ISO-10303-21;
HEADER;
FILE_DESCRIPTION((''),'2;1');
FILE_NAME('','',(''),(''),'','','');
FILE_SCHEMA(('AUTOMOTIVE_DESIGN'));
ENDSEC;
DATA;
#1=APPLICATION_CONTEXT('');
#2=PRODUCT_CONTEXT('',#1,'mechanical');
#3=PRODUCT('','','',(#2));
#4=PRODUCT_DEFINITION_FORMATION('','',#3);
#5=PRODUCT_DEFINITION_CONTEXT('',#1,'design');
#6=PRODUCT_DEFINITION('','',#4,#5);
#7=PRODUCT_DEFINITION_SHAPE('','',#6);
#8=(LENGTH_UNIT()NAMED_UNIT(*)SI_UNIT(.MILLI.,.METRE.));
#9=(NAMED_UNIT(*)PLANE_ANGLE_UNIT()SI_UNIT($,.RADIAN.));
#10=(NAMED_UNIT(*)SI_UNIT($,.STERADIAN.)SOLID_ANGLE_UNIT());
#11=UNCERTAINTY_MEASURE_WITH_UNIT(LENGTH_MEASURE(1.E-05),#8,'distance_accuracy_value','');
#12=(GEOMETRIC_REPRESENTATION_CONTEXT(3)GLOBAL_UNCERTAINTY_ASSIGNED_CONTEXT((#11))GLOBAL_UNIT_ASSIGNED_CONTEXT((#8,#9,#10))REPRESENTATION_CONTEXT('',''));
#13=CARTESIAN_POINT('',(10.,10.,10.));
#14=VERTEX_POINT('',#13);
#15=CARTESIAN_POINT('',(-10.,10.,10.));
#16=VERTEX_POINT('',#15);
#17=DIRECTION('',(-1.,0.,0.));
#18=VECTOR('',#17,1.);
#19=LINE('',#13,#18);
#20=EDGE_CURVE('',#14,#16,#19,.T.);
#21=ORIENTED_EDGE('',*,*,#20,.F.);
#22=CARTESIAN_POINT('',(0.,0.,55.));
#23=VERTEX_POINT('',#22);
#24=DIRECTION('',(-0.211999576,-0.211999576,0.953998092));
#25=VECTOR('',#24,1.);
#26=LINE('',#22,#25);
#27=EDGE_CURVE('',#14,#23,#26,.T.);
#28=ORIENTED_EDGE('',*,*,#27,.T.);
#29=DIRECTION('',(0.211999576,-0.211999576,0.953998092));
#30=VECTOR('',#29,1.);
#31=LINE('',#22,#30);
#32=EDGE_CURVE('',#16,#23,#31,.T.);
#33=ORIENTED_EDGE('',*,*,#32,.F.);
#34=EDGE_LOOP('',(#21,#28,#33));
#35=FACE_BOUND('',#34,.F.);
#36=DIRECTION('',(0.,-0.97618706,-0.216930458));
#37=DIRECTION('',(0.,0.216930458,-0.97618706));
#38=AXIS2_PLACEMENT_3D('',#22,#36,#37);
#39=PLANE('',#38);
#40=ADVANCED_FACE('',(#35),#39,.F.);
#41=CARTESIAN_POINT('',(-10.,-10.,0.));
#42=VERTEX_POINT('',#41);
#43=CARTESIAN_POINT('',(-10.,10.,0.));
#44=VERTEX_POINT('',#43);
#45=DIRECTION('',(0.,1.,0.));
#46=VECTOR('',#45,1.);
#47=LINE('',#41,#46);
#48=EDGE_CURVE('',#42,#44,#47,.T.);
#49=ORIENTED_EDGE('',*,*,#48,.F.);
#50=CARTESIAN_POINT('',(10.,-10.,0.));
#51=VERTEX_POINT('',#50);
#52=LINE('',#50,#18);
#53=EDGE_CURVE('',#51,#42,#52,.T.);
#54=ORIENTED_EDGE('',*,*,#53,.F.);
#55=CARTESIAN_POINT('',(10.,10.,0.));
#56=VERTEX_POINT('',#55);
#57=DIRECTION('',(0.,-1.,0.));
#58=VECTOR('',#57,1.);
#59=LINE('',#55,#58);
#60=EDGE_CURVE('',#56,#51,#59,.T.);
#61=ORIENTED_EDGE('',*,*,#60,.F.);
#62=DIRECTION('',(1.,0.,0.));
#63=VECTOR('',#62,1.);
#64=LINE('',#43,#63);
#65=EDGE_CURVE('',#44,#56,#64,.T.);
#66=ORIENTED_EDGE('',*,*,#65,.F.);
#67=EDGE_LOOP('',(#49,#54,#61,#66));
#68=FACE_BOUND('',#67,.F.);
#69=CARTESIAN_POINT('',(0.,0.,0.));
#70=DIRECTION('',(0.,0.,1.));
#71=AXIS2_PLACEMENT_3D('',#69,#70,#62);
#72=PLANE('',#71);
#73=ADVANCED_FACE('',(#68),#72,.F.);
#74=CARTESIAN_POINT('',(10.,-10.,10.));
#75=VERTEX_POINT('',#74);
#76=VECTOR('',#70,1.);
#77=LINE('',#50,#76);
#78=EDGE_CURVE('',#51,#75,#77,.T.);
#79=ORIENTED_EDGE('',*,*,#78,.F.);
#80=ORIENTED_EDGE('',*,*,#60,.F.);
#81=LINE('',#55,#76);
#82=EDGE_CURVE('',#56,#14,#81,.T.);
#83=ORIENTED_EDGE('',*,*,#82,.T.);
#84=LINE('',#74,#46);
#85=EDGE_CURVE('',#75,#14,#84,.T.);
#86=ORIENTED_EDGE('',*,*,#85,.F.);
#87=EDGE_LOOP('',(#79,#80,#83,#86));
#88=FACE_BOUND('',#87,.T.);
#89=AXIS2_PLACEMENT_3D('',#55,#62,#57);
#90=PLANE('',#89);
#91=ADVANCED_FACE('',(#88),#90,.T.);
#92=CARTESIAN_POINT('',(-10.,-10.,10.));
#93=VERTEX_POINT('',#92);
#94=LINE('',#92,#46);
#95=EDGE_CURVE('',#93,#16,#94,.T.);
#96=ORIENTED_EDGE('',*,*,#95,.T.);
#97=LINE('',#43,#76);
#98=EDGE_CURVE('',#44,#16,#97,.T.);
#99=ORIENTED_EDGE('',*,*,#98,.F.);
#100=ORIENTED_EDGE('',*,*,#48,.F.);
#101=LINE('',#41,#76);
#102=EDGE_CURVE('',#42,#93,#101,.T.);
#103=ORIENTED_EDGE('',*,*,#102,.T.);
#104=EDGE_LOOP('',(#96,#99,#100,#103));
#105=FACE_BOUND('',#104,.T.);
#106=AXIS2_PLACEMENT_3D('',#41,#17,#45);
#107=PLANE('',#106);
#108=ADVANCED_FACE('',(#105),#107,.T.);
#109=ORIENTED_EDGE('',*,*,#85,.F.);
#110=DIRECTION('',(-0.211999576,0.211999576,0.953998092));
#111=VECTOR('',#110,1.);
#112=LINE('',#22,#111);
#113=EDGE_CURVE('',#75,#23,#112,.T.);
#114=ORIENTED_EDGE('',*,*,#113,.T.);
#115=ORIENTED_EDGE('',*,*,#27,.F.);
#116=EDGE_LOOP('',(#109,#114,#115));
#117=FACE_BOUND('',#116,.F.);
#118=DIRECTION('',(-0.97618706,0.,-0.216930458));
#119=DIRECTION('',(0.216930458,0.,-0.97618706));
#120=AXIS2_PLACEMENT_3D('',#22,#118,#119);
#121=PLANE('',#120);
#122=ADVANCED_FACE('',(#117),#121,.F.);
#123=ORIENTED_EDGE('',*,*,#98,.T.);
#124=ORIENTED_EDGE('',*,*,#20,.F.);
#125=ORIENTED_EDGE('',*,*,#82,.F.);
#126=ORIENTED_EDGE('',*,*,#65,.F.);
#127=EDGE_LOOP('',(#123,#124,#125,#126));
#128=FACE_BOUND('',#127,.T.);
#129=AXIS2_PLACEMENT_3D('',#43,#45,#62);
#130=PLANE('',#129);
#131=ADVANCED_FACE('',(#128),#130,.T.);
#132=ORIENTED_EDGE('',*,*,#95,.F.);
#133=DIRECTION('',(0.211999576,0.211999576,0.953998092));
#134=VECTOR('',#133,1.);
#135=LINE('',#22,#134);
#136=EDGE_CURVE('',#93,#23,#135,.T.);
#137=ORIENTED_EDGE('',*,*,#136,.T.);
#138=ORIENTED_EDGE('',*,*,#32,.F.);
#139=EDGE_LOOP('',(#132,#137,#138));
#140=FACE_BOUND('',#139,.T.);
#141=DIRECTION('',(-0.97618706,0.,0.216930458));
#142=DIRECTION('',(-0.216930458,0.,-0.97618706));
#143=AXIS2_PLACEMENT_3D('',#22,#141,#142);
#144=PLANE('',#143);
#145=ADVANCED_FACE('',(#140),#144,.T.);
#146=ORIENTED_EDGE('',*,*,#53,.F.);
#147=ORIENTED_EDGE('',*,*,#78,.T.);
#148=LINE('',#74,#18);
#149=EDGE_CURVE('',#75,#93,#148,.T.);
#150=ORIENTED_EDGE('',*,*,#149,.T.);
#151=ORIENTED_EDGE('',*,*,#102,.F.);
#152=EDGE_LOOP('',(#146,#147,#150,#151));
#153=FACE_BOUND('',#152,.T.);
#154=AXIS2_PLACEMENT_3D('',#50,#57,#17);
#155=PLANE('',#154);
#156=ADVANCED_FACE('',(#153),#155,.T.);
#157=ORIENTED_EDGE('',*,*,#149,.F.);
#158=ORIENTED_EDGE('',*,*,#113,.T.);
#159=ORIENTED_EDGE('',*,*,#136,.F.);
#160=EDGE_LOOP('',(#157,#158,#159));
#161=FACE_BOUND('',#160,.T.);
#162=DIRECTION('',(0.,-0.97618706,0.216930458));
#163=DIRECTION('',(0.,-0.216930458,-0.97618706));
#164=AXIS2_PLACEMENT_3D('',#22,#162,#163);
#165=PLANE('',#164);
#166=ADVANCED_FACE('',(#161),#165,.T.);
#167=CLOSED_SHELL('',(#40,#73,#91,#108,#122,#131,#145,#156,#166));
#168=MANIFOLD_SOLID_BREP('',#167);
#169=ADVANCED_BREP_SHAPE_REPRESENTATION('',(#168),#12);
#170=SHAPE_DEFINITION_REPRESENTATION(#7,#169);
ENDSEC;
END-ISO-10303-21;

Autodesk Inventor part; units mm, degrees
ref_plane "YZ Plane" through (0, 0, 0) normal (1, 0, 0) x (0, 1, 0)
ref_plane "XZ Plane" through (0, 0, 0) normal (0, 1, 0) x (-1, 0, 0)
ref_plane "XY Plane" through (0, 0, 0) normal (0, 0, 1) x (1, 0, 0)
sketch "Absorber-Base" plane through (0, 0, 0) normal (0, 0, 1) x (1, 0, 0)
  line L0 (-10, 10) -> (10, 10)
  line L1 (10, 10) -> (10, -10)
  line L2 (10, -10) -> (-10, -10)
  line L3 (-10, -10) -> (-10, 10)
  line L4 (-10, 10) -> (10, -10) construction
  line L5 (10, 10) -> (-10, -10) construction
  point P0 (0, 0)
  dimension "d0" = 20
extrude "Gesamtvolumen" add sketch "Absorber-Base" along normal blind 55
sketch "Skizze2" plane through (0, 0, 0) normal (0, 1, 0) x (-1, 0, 0)
  line L0 (-12.9394, 0) -> (12.9394, 0) projected
  line L1 (10, 0) -> (10, 55) projected
  line L2 (-10, 0) -> (-10, 55) projected
  line L3 (10, 0) -> (-10, 0)
  line L4 (-10, 0) -> (-10, 10)
  line L5 (-10, 10) -> (10, 10)
  line L6 (10, 10) -> (10, 0)
  line L7 (-10, 55) -> (10, 55) projected
  line L8 (0, 55) -> (10, 10)
  line L9 (0, 55) -> (-10, 10)
  point P0 (0, 0)
  point P1 (10, 10)
  dimension "d6" = 10
extrude "Cutaway" cut sketch "Skizze2" along normal mid plane 20 contours L2 L7 L9 | L8 L7 L1
pattern_circular "Runde Anordnung1" count 2 over 90 about axis through (0, 0, -10) along (0, 0, 1) of "Cutaway"
equation "\"d0\" = Base_Seitenlänge"
equation "\"d1\" = Gesamthöhe"
equation "\"d6\" = Base_Höhe"
equation "\"d7\" = Base_Seitenlänge"
equation "\"Base_Seitenlänge\" = 20"
equation "\"Base_Höhe\" = 10"
equation "\"Gesamthöhe\" = 55"
properties part number "Absorber - IHF-Mini"
